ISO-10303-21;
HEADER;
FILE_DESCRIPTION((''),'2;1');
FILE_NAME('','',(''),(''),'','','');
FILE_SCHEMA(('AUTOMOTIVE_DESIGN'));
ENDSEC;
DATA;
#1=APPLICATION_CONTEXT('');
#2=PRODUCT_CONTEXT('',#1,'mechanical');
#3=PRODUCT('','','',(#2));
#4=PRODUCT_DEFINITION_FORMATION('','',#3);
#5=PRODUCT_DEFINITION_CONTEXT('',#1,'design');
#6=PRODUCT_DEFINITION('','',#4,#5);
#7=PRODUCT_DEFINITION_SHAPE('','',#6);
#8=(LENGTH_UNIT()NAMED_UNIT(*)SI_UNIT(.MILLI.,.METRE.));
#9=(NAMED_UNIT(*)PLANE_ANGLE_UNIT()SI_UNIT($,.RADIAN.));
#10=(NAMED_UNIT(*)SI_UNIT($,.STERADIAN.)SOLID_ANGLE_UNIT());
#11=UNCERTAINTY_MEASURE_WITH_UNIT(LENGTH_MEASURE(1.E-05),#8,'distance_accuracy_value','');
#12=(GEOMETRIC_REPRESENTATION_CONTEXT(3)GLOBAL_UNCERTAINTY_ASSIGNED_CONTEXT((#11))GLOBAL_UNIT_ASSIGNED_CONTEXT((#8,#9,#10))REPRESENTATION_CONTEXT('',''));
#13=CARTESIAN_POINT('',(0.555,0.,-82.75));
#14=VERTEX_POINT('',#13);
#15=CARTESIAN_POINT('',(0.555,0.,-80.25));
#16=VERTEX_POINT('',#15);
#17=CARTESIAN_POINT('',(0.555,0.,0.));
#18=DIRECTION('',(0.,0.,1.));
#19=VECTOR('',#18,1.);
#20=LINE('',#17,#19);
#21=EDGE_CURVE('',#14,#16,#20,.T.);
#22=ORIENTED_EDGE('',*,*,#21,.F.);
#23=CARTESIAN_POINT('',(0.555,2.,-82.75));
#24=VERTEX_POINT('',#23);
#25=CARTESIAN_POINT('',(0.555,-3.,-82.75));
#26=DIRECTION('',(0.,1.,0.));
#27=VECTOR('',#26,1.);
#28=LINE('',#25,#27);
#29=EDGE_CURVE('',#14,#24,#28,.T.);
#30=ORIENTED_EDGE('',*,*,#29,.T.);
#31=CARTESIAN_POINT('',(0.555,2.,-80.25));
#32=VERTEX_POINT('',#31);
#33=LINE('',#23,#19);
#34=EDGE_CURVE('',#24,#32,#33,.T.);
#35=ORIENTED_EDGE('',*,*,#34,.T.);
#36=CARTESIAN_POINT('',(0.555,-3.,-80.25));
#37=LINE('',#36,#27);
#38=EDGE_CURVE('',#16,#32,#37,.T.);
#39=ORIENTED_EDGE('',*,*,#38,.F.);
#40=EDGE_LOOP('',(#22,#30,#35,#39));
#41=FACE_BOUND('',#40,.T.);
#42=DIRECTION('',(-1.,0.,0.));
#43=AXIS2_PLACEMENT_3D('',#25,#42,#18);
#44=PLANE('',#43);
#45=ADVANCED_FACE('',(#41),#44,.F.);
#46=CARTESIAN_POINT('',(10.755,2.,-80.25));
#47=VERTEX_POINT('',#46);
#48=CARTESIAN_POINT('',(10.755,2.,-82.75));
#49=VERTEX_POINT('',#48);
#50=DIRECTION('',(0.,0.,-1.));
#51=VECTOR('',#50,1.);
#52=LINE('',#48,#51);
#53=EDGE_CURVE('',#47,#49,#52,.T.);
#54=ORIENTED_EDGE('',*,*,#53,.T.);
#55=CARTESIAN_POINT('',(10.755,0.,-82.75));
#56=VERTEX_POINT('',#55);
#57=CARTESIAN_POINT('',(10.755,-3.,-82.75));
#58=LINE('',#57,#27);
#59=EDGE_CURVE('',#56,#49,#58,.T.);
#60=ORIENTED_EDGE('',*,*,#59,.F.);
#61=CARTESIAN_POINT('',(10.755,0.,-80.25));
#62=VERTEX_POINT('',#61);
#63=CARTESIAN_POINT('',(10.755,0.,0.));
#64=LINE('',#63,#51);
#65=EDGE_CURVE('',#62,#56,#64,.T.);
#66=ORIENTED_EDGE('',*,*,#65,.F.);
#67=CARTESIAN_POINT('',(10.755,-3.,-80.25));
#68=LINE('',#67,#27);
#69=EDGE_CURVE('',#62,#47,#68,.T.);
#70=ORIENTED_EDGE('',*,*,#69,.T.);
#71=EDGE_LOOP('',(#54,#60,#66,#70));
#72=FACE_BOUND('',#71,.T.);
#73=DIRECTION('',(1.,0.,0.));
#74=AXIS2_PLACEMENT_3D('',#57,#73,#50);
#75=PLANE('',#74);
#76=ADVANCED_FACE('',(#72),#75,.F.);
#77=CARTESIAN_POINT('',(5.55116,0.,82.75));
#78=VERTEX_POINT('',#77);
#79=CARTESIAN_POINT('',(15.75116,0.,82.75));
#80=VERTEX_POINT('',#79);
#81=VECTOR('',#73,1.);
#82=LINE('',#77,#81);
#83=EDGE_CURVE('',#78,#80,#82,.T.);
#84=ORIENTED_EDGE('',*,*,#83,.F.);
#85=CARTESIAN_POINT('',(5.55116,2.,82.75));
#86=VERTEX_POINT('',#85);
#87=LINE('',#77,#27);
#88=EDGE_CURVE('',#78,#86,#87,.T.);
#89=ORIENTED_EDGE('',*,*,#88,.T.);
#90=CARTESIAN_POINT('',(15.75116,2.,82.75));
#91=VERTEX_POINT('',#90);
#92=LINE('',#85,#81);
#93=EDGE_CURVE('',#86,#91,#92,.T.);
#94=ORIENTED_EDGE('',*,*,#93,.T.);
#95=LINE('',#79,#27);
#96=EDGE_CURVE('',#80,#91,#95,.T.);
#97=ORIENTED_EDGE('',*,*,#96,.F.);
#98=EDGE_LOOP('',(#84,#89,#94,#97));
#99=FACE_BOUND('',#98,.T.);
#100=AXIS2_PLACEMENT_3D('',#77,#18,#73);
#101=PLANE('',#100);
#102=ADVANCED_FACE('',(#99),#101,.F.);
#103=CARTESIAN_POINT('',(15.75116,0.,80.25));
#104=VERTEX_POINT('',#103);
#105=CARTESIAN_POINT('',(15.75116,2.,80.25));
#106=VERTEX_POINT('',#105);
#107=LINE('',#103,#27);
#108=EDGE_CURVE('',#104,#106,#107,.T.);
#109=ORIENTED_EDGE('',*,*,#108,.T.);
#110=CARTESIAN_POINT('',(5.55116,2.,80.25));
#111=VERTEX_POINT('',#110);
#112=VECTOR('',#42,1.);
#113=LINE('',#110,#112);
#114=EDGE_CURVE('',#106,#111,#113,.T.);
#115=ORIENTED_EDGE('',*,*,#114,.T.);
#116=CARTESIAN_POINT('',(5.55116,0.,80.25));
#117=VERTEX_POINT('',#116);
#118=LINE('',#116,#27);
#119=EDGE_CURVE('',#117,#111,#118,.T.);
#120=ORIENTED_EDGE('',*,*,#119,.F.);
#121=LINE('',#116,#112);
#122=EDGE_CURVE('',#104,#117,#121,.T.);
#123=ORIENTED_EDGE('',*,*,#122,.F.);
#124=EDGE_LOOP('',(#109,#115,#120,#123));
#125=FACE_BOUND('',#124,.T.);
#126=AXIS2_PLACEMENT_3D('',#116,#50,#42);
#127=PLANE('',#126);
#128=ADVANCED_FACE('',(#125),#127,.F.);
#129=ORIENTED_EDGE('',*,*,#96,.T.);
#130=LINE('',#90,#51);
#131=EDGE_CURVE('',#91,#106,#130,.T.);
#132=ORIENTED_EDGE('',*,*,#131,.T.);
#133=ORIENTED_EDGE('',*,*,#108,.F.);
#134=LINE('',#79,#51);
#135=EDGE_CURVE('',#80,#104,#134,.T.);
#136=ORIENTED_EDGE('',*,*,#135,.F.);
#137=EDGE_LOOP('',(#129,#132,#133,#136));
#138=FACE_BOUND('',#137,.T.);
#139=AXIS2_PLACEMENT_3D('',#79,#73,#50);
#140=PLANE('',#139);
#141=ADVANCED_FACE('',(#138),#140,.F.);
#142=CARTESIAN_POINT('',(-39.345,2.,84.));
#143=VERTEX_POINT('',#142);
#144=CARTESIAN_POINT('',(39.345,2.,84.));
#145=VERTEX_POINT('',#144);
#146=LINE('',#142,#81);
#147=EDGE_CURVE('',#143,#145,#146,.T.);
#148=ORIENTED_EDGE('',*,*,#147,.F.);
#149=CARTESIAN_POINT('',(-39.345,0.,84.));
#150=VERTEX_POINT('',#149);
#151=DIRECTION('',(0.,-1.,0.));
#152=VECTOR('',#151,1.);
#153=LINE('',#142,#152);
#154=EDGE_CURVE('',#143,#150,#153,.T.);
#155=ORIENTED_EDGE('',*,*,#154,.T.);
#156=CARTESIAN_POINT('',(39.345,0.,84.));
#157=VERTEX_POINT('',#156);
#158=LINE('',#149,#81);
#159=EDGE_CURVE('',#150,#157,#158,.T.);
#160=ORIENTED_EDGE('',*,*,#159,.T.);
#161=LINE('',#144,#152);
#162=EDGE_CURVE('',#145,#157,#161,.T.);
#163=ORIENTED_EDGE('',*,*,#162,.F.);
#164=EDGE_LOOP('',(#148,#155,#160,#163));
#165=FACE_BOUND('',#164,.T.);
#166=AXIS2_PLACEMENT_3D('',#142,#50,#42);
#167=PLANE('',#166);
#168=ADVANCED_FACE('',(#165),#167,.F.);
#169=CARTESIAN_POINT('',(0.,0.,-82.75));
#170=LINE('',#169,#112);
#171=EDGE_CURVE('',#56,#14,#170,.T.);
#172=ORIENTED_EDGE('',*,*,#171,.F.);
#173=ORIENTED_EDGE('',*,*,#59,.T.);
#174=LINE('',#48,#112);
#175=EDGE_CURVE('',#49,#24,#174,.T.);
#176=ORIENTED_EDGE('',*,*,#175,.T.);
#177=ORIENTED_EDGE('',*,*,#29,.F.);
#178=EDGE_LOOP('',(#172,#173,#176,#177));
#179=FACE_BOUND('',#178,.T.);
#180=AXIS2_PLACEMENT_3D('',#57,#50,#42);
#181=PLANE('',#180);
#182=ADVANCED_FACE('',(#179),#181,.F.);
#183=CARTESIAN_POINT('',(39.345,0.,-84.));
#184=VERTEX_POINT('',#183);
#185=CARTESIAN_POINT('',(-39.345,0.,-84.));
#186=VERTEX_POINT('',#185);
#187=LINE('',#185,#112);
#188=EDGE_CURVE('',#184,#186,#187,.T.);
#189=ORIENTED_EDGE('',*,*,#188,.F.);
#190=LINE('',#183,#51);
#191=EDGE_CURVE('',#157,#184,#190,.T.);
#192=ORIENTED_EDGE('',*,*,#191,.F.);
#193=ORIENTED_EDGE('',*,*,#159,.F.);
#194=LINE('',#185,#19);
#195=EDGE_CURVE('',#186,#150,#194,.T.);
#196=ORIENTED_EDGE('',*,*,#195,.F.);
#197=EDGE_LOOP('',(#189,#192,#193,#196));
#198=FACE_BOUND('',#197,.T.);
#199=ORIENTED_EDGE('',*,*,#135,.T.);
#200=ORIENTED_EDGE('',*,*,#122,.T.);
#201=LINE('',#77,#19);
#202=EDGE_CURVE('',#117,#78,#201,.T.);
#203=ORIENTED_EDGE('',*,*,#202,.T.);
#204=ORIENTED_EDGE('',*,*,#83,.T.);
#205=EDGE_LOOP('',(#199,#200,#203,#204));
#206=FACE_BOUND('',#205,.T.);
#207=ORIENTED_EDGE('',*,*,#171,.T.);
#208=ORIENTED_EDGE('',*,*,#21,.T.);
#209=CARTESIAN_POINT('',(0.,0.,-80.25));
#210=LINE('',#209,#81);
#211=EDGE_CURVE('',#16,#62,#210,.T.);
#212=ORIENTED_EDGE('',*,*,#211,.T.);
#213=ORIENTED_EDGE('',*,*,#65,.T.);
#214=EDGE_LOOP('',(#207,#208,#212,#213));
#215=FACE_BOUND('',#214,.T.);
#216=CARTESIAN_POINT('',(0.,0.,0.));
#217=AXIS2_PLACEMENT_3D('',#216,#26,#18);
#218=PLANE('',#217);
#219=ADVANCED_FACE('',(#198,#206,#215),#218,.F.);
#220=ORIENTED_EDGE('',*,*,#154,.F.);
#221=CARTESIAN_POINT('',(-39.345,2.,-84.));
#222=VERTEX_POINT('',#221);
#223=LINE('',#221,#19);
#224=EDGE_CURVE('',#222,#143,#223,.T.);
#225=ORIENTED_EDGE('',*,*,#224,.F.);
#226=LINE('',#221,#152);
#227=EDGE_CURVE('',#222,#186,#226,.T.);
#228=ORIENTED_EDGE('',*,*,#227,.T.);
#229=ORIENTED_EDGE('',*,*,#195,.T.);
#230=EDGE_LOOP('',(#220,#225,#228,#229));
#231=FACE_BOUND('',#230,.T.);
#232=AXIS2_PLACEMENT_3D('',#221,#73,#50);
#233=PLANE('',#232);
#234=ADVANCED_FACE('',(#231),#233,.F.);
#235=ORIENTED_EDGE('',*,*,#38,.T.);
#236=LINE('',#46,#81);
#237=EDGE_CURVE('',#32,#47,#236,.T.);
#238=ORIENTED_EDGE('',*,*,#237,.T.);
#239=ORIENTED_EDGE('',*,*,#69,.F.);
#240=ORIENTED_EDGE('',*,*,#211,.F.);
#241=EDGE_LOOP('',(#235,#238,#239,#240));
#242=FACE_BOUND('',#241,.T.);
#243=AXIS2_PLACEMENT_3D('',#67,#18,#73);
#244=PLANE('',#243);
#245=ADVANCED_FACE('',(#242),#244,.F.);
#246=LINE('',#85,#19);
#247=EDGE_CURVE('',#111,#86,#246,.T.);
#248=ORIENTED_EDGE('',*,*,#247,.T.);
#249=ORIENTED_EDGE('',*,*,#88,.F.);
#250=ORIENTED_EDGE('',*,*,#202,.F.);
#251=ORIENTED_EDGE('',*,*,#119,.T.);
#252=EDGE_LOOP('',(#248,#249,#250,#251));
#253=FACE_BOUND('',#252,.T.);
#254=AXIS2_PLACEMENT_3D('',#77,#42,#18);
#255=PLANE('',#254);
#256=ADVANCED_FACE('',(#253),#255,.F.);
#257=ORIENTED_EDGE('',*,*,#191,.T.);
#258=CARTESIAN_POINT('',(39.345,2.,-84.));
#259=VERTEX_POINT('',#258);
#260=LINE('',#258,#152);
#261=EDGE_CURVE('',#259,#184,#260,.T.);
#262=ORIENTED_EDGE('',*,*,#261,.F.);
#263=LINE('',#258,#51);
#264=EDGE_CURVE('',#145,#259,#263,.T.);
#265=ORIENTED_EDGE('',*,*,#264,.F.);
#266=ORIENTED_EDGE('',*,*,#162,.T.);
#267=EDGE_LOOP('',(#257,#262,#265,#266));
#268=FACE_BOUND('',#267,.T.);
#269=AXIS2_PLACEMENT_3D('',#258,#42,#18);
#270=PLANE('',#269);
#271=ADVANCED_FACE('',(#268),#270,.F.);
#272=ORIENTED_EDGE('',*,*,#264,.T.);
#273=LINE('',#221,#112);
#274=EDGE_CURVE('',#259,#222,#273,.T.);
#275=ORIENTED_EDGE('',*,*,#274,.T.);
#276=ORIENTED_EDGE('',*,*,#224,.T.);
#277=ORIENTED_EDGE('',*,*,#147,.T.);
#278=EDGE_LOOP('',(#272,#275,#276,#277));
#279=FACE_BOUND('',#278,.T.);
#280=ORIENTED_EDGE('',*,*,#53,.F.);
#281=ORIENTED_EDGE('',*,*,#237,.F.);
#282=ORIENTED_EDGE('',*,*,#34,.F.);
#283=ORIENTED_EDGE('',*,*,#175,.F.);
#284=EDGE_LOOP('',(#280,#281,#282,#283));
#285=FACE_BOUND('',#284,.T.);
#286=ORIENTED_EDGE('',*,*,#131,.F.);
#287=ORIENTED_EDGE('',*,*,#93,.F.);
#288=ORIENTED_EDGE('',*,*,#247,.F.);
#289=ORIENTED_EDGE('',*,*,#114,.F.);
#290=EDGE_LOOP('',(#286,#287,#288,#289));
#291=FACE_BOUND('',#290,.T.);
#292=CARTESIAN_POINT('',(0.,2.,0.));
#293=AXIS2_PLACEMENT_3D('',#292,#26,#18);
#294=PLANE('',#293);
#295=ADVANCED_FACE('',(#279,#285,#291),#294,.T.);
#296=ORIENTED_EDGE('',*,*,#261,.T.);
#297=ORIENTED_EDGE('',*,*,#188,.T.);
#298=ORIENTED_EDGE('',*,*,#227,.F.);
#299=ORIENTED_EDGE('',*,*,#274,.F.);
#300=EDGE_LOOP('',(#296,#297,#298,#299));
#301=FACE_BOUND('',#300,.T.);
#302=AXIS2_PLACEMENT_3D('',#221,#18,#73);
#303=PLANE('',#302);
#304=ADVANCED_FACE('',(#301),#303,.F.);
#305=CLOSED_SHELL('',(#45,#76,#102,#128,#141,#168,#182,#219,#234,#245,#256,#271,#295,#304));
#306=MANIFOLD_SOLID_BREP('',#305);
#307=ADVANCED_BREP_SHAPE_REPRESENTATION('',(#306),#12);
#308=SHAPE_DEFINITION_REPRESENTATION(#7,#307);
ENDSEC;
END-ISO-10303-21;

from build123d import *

# Parameters (mm, degrees)
SKETCH1_W           = 78.69
SKETCH1_H           = 168
BOSS_EXTRUDE1_DEPTH = 2
SKETCH2_W           = 10.2
SKETCH2_H           = 2.5
CUT_EXTRUDE1_DEPTH  = 5
SKETCH3_W           = 10.2
SKETCH3_H           = 2.5
CUT_EXTRUDE2_DEPTH  = 2


with BuildPart() as part:
    # Sketch1 → Boss-Extrude1 (new body)
    with BuildSketch(Plane(origin=(0, 0, 0), x_dir=(1, 0, 0), z_dir=(0, 1, 0))):
        Rectangle(SKETCH1_W, SKETCH1_H)
    extrude(amount=BOSS_EXTRUDE1_DEPTH)

    # Sketch2 → Cut-Extrude1 (cut)
    with BuildSketch(Plane(origin=(0, 2, 0), x_dir=(1, 0, 0), z_dir=(0, 1, 0))):
        with Locations((5.655, 81.5)):
            Rectangle(SKETCH2_W, SKETCH2_H)
    extrude(amount=-CUT_EXTRUDE1_DEPTH, mode=Mode.SUBTRACT)

    # Sketch3 → Cut-Extrude2 (cut)
    with BuildSketch(Plane(origin=(0, 2, 0), x_dir=(1, 0, 0), z_dir=(0, 1, 0))):
        with Locations((10.65116, -81.5)):
            Rectangle(SKETCH3_W, SKETCH3_H)
    extrude(amount=-CUT_EXTRUDE2_DEPTH, mode=Mode.SUBTRACT)


solid = part.part
